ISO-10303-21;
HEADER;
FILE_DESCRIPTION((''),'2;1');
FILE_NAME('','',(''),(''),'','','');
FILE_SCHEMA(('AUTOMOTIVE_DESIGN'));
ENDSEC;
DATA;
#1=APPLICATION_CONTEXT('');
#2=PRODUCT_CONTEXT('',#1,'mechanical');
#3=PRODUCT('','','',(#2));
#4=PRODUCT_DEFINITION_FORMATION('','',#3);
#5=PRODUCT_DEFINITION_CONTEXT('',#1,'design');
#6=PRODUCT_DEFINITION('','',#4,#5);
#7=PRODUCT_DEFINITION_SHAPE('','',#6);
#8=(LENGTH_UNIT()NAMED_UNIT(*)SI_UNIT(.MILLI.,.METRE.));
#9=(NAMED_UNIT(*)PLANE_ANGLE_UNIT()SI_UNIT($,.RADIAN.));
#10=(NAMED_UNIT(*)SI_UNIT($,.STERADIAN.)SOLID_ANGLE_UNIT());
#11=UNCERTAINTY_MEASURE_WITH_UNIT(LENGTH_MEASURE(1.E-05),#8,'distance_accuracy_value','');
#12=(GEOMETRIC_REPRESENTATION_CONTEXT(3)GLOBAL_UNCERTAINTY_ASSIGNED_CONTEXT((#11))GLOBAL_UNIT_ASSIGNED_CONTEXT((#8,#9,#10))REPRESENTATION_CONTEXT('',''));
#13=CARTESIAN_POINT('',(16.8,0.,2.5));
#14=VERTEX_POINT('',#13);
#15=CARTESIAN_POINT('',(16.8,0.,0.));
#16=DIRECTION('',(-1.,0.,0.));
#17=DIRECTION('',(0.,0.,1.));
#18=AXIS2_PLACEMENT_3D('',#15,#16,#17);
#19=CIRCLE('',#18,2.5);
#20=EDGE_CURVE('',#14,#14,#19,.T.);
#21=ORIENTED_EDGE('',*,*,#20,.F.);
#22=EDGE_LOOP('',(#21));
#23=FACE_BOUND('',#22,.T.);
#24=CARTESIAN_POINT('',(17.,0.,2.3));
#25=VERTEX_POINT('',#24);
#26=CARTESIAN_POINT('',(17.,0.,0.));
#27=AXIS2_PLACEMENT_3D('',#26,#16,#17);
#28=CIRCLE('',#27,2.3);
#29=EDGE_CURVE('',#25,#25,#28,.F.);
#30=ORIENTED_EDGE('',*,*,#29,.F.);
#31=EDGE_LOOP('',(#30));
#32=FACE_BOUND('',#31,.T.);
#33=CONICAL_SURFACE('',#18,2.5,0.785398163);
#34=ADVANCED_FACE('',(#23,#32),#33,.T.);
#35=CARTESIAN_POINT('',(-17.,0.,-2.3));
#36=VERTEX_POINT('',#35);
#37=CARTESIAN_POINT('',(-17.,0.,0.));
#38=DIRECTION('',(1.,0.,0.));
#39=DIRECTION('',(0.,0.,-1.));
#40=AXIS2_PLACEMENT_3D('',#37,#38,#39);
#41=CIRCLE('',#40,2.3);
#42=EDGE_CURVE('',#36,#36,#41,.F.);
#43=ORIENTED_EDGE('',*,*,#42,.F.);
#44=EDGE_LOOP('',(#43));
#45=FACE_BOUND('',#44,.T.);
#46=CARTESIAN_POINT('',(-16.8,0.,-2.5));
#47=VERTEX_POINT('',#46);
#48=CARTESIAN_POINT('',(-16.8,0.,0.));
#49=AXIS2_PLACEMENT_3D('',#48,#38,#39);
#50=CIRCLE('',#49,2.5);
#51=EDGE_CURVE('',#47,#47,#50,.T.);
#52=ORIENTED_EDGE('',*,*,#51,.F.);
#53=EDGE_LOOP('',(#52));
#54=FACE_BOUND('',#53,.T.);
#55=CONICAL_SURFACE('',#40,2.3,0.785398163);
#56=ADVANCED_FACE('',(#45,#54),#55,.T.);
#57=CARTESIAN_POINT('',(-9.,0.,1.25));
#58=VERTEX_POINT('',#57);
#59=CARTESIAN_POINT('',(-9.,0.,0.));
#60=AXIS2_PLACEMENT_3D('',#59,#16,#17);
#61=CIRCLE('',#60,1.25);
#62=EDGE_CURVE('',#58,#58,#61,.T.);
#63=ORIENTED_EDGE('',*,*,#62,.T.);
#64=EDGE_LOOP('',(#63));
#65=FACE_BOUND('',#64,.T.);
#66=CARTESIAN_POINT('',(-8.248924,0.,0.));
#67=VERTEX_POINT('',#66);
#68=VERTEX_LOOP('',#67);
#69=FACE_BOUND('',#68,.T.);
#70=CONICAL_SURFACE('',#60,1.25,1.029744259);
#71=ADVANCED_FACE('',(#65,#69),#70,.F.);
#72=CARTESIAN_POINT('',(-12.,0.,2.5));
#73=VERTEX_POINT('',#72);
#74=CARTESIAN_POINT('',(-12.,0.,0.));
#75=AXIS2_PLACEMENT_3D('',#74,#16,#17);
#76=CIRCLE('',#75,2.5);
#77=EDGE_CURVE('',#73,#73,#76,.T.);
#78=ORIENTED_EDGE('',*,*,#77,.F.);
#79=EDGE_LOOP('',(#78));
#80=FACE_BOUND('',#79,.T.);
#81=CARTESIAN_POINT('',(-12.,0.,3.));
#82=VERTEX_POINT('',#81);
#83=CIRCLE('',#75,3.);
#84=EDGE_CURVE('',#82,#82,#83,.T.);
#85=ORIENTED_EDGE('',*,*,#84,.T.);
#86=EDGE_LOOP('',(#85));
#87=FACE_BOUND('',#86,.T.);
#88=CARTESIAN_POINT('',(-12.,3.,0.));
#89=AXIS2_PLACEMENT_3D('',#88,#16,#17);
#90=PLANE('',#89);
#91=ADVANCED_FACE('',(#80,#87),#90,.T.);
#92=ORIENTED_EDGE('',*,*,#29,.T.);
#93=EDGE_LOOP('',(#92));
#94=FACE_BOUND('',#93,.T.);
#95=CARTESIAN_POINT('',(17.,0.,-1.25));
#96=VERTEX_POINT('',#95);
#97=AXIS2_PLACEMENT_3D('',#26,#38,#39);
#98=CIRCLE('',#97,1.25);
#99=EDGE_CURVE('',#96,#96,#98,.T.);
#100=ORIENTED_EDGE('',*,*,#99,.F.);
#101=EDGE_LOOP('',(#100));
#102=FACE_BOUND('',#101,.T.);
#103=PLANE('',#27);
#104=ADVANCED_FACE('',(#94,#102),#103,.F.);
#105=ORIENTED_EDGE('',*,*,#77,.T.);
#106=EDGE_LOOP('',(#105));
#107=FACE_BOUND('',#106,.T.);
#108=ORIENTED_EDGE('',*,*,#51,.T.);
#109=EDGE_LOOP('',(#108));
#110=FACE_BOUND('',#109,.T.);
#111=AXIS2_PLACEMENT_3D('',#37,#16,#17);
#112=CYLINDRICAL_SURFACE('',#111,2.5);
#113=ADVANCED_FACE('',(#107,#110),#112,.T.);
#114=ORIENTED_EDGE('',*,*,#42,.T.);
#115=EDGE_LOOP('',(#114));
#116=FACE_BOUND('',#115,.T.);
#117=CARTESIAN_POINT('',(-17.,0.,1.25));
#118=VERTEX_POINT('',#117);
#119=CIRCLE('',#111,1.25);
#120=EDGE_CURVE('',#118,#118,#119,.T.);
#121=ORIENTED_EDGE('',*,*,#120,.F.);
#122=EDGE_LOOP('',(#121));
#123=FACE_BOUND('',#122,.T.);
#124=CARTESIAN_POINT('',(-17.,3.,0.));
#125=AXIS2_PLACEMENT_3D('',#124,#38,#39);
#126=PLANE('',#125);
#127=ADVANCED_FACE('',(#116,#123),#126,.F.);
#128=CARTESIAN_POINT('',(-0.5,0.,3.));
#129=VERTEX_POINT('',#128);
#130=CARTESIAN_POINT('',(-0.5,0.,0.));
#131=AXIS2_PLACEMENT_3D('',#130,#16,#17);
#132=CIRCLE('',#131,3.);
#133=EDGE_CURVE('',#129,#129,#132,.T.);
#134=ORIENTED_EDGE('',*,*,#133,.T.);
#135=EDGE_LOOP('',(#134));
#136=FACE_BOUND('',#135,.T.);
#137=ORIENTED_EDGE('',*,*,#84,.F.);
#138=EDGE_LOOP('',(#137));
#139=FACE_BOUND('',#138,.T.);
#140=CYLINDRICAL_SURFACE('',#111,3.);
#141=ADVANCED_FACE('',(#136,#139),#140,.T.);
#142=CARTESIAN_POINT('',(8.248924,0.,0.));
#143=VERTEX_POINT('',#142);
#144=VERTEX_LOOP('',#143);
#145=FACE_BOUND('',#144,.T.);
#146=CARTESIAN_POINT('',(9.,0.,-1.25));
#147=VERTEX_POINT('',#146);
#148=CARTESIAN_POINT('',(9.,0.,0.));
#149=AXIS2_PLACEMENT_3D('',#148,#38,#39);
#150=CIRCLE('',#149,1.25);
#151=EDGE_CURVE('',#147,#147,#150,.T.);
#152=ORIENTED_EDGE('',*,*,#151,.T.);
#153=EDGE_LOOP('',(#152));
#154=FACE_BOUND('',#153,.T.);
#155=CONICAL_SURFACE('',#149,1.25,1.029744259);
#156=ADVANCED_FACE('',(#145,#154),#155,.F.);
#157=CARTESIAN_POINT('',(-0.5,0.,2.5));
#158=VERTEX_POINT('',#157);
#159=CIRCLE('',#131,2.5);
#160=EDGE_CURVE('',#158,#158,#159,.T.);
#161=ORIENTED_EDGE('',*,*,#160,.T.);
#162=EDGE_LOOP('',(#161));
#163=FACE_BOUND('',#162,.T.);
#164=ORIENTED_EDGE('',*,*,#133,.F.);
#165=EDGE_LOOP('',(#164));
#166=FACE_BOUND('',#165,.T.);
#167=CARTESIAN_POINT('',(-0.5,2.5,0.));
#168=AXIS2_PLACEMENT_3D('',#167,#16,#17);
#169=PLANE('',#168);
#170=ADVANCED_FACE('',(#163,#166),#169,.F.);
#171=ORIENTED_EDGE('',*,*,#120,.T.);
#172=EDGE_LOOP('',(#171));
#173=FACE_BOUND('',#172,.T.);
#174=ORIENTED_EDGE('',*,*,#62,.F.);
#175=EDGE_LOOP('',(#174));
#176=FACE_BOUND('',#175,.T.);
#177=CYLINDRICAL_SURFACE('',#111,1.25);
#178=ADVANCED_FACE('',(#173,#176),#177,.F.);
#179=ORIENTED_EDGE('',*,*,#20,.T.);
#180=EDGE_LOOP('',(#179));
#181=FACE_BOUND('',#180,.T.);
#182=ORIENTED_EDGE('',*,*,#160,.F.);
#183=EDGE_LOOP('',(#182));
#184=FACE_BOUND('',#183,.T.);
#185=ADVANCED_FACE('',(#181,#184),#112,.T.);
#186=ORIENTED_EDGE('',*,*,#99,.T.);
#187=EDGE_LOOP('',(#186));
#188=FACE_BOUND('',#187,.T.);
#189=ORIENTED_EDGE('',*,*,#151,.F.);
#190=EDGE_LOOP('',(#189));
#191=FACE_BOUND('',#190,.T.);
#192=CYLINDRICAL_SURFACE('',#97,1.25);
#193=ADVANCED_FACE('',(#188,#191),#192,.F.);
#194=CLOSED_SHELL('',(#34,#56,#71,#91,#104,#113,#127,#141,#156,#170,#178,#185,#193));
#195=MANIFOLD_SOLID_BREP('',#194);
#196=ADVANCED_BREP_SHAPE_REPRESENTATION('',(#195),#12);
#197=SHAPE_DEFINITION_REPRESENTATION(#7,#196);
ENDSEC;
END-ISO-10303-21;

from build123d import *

# Parameters (mm, degrees)
TROU_TARAUD_M31_D     = 2.5
TROU_TARAUD_M31_DEPTH = 8
TROU_TARAUD_M31_TIP   = 0.751075774
ESQUISSE7_W           = 5
ESQUISSE7_H           = 0.5
CHANFREIN1_SIZE       = 0.2
TROU_TARAUD_M32_D     = 2.5
TROU_TARAUD_M32_DEPTH = 8
TROU_TARAUD_M32_TIP   = 0.751075774


with BuildPart() as part:
    # Esquisse2 → Révolution1 (revolve)
    with BuildSketch(Plane.XY, mode=Mode.PRIVATE) as r_volution1_sk:
        Polygon((17, 0), (17, 2.5), (-0.5, 2.5), (-0.5, 3), (-17, 3), (-17, 0), align=None)
    revolve(r_volution1_sk.sketch.rotate(Axis((-17, 0, 0), (1, 0, 0)), 90), axis=Axis((-17, 0, 0), (1, 0, 0)))

    # Trou taraudé M31
    with Locations(Plane(origin=(17, 0, 0), x_dir=(0, 0, -1), z_dir=(1, 0, 0))):
        with Locations((0, 0)):
            Hole(TROU_TARAUD_M31_D / 2, depth=TROU_TARAUD_M31_DEPTH)
            with Locations((0, 0, -(TROU_TARAUD_M31_DEPTH + TROU_TARAUD_M31_TIP / 2))):  # 118° drill point
                Cone(0, TROU_TARAUD_M31_D / 2, TROU_TARAUD_M31_TIP, mode=Mode.SUBTRACT)

    # Esquisse7 → Enlèvement de matière-Révolution1 (revolve, cut)
    with BuildSketch(Plane.XY, mode=Mode.PRIVATE) as enl_vement_de_mati_re_r_volution1_sk:
        with Locations((-14.5, 2.75)):
            Rectangle(ESQUISSE7_W, ESQUISSE7_H)
    revolve(enl_vement_de_mati_re_r_volution1_sk.sketch.rotate(Axis((-17, 0, 0), (1, 0, 0)), 90), axis=Axis((-17, 0, 0), (1, 0, 0)), mode=Mode.SUBTRACT)

    # Chanfrein1
    chanfrein1_edges = [part.edges().sort_by_distance(p)[0] for p in [
        (-17, 0, -2.5),
        (17, 0, -2.5),
    ]]
    chamfer(chanfrein1_edges, length=CHANFREIN1_SIZE)

    # Trou taraudé M32
    with Locations(Plane.ZY.offset(17)):
        with Locations((0, 0)):
            Hole(TROU_TARAUD_M32_D / 2, depth=TROU_TARAUD_M32_DEPTH)
            with Locations((0, 0, -(TROU_TARAUD_M32_DEPTH + TROU_TARAUD_M32_TIP / 2))):  # 118° drill point
                Cone(0, TROU_TARAUD_M32_D / 2, TROU_TARAUD_M32_TIP, mode=Mode.SUBTRACT)


solid = part.part
